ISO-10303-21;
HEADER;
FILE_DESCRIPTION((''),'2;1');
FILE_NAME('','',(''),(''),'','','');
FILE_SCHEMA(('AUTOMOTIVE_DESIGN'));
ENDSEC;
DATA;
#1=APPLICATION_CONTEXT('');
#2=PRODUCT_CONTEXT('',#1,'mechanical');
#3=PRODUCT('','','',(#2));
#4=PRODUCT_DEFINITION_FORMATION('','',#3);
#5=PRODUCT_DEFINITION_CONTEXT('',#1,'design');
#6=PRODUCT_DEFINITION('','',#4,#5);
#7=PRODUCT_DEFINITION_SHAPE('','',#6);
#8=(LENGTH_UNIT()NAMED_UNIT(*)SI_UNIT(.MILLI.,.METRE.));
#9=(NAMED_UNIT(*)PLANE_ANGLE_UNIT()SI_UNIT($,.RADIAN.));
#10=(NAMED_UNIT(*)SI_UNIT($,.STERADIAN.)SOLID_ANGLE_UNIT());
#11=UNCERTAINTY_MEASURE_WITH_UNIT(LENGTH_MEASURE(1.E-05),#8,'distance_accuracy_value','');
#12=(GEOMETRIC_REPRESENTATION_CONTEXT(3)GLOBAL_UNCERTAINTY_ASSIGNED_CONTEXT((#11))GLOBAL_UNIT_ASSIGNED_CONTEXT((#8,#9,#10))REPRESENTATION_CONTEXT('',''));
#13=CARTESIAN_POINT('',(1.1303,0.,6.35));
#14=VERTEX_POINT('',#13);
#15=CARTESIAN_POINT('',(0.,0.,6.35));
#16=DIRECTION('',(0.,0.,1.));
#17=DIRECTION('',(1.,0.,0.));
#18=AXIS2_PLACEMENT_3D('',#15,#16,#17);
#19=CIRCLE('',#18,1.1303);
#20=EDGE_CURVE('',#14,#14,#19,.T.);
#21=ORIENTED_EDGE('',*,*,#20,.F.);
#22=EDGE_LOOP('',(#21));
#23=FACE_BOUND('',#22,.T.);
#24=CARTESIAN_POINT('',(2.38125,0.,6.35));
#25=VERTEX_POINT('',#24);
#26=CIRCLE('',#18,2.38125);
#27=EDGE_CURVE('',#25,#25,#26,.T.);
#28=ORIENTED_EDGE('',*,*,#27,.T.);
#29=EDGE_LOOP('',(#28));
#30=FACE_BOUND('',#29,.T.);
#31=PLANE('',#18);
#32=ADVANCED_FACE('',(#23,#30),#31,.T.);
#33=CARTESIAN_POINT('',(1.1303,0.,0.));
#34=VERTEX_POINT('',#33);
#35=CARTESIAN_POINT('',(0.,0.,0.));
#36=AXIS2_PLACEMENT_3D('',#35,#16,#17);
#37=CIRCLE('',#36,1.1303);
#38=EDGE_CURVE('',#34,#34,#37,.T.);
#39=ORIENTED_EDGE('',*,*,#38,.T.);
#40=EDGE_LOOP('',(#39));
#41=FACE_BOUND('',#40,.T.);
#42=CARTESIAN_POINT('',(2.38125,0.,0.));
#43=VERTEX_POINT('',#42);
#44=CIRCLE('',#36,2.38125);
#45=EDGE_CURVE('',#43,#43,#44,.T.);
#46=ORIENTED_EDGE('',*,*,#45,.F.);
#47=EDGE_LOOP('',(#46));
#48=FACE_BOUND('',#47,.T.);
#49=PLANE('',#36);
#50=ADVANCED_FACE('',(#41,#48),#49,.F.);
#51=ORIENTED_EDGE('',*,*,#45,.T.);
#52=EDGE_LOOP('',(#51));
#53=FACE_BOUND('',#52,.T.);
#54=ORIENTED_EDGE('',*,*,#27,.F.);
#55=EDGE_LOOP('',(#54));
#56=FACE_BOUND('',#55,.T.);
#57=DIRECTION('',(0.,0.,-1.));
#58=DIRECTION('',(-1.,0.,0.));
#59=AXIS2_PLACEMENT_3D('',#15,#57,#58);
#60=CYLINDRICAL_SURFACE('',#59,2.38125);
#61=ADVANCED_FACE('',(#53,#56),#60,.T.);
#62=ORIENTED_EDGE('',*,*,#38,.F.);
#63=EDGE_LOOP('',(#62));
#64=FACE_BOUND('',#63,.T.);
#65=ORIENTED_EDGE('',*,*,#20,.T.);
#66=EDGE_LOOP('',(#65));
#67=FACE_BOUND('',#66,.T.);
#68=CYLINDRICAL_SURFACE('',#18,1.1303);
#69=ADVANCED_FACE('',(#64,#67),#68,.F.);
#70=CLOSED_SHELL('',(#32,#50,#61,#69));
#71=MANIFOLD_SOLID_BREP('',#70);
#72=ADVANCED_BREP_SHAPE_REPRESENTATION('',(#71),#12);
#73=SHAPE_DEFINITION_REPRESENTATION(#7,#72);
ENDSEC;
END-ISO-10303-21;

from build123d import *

# Parameters (mm, degrees)
SKETCH1_R             = 2.38125
BOSS_EXTRUDE1_DEPTH   = 6.35
F_4_40_TAPPED_HOLE1_D = 2.2606


with BuildPart() as part:
    # Sketch1 → Boss-Extrude1 (new body)
    with BuildSketch(Plane.XY):
        Circle(SKETCH1_R)
    extrude(amount=BOSS_EXTRUDE1_DEPTH)

    # #4-40 Tapped Hole1 (through all)
    with Locations(Plane.XY.offset(6.35)):
        with Locations((0, 0)):
            Hole(F_4_40_TAPPED_HOLE1_D / 2)


solid = part.part
